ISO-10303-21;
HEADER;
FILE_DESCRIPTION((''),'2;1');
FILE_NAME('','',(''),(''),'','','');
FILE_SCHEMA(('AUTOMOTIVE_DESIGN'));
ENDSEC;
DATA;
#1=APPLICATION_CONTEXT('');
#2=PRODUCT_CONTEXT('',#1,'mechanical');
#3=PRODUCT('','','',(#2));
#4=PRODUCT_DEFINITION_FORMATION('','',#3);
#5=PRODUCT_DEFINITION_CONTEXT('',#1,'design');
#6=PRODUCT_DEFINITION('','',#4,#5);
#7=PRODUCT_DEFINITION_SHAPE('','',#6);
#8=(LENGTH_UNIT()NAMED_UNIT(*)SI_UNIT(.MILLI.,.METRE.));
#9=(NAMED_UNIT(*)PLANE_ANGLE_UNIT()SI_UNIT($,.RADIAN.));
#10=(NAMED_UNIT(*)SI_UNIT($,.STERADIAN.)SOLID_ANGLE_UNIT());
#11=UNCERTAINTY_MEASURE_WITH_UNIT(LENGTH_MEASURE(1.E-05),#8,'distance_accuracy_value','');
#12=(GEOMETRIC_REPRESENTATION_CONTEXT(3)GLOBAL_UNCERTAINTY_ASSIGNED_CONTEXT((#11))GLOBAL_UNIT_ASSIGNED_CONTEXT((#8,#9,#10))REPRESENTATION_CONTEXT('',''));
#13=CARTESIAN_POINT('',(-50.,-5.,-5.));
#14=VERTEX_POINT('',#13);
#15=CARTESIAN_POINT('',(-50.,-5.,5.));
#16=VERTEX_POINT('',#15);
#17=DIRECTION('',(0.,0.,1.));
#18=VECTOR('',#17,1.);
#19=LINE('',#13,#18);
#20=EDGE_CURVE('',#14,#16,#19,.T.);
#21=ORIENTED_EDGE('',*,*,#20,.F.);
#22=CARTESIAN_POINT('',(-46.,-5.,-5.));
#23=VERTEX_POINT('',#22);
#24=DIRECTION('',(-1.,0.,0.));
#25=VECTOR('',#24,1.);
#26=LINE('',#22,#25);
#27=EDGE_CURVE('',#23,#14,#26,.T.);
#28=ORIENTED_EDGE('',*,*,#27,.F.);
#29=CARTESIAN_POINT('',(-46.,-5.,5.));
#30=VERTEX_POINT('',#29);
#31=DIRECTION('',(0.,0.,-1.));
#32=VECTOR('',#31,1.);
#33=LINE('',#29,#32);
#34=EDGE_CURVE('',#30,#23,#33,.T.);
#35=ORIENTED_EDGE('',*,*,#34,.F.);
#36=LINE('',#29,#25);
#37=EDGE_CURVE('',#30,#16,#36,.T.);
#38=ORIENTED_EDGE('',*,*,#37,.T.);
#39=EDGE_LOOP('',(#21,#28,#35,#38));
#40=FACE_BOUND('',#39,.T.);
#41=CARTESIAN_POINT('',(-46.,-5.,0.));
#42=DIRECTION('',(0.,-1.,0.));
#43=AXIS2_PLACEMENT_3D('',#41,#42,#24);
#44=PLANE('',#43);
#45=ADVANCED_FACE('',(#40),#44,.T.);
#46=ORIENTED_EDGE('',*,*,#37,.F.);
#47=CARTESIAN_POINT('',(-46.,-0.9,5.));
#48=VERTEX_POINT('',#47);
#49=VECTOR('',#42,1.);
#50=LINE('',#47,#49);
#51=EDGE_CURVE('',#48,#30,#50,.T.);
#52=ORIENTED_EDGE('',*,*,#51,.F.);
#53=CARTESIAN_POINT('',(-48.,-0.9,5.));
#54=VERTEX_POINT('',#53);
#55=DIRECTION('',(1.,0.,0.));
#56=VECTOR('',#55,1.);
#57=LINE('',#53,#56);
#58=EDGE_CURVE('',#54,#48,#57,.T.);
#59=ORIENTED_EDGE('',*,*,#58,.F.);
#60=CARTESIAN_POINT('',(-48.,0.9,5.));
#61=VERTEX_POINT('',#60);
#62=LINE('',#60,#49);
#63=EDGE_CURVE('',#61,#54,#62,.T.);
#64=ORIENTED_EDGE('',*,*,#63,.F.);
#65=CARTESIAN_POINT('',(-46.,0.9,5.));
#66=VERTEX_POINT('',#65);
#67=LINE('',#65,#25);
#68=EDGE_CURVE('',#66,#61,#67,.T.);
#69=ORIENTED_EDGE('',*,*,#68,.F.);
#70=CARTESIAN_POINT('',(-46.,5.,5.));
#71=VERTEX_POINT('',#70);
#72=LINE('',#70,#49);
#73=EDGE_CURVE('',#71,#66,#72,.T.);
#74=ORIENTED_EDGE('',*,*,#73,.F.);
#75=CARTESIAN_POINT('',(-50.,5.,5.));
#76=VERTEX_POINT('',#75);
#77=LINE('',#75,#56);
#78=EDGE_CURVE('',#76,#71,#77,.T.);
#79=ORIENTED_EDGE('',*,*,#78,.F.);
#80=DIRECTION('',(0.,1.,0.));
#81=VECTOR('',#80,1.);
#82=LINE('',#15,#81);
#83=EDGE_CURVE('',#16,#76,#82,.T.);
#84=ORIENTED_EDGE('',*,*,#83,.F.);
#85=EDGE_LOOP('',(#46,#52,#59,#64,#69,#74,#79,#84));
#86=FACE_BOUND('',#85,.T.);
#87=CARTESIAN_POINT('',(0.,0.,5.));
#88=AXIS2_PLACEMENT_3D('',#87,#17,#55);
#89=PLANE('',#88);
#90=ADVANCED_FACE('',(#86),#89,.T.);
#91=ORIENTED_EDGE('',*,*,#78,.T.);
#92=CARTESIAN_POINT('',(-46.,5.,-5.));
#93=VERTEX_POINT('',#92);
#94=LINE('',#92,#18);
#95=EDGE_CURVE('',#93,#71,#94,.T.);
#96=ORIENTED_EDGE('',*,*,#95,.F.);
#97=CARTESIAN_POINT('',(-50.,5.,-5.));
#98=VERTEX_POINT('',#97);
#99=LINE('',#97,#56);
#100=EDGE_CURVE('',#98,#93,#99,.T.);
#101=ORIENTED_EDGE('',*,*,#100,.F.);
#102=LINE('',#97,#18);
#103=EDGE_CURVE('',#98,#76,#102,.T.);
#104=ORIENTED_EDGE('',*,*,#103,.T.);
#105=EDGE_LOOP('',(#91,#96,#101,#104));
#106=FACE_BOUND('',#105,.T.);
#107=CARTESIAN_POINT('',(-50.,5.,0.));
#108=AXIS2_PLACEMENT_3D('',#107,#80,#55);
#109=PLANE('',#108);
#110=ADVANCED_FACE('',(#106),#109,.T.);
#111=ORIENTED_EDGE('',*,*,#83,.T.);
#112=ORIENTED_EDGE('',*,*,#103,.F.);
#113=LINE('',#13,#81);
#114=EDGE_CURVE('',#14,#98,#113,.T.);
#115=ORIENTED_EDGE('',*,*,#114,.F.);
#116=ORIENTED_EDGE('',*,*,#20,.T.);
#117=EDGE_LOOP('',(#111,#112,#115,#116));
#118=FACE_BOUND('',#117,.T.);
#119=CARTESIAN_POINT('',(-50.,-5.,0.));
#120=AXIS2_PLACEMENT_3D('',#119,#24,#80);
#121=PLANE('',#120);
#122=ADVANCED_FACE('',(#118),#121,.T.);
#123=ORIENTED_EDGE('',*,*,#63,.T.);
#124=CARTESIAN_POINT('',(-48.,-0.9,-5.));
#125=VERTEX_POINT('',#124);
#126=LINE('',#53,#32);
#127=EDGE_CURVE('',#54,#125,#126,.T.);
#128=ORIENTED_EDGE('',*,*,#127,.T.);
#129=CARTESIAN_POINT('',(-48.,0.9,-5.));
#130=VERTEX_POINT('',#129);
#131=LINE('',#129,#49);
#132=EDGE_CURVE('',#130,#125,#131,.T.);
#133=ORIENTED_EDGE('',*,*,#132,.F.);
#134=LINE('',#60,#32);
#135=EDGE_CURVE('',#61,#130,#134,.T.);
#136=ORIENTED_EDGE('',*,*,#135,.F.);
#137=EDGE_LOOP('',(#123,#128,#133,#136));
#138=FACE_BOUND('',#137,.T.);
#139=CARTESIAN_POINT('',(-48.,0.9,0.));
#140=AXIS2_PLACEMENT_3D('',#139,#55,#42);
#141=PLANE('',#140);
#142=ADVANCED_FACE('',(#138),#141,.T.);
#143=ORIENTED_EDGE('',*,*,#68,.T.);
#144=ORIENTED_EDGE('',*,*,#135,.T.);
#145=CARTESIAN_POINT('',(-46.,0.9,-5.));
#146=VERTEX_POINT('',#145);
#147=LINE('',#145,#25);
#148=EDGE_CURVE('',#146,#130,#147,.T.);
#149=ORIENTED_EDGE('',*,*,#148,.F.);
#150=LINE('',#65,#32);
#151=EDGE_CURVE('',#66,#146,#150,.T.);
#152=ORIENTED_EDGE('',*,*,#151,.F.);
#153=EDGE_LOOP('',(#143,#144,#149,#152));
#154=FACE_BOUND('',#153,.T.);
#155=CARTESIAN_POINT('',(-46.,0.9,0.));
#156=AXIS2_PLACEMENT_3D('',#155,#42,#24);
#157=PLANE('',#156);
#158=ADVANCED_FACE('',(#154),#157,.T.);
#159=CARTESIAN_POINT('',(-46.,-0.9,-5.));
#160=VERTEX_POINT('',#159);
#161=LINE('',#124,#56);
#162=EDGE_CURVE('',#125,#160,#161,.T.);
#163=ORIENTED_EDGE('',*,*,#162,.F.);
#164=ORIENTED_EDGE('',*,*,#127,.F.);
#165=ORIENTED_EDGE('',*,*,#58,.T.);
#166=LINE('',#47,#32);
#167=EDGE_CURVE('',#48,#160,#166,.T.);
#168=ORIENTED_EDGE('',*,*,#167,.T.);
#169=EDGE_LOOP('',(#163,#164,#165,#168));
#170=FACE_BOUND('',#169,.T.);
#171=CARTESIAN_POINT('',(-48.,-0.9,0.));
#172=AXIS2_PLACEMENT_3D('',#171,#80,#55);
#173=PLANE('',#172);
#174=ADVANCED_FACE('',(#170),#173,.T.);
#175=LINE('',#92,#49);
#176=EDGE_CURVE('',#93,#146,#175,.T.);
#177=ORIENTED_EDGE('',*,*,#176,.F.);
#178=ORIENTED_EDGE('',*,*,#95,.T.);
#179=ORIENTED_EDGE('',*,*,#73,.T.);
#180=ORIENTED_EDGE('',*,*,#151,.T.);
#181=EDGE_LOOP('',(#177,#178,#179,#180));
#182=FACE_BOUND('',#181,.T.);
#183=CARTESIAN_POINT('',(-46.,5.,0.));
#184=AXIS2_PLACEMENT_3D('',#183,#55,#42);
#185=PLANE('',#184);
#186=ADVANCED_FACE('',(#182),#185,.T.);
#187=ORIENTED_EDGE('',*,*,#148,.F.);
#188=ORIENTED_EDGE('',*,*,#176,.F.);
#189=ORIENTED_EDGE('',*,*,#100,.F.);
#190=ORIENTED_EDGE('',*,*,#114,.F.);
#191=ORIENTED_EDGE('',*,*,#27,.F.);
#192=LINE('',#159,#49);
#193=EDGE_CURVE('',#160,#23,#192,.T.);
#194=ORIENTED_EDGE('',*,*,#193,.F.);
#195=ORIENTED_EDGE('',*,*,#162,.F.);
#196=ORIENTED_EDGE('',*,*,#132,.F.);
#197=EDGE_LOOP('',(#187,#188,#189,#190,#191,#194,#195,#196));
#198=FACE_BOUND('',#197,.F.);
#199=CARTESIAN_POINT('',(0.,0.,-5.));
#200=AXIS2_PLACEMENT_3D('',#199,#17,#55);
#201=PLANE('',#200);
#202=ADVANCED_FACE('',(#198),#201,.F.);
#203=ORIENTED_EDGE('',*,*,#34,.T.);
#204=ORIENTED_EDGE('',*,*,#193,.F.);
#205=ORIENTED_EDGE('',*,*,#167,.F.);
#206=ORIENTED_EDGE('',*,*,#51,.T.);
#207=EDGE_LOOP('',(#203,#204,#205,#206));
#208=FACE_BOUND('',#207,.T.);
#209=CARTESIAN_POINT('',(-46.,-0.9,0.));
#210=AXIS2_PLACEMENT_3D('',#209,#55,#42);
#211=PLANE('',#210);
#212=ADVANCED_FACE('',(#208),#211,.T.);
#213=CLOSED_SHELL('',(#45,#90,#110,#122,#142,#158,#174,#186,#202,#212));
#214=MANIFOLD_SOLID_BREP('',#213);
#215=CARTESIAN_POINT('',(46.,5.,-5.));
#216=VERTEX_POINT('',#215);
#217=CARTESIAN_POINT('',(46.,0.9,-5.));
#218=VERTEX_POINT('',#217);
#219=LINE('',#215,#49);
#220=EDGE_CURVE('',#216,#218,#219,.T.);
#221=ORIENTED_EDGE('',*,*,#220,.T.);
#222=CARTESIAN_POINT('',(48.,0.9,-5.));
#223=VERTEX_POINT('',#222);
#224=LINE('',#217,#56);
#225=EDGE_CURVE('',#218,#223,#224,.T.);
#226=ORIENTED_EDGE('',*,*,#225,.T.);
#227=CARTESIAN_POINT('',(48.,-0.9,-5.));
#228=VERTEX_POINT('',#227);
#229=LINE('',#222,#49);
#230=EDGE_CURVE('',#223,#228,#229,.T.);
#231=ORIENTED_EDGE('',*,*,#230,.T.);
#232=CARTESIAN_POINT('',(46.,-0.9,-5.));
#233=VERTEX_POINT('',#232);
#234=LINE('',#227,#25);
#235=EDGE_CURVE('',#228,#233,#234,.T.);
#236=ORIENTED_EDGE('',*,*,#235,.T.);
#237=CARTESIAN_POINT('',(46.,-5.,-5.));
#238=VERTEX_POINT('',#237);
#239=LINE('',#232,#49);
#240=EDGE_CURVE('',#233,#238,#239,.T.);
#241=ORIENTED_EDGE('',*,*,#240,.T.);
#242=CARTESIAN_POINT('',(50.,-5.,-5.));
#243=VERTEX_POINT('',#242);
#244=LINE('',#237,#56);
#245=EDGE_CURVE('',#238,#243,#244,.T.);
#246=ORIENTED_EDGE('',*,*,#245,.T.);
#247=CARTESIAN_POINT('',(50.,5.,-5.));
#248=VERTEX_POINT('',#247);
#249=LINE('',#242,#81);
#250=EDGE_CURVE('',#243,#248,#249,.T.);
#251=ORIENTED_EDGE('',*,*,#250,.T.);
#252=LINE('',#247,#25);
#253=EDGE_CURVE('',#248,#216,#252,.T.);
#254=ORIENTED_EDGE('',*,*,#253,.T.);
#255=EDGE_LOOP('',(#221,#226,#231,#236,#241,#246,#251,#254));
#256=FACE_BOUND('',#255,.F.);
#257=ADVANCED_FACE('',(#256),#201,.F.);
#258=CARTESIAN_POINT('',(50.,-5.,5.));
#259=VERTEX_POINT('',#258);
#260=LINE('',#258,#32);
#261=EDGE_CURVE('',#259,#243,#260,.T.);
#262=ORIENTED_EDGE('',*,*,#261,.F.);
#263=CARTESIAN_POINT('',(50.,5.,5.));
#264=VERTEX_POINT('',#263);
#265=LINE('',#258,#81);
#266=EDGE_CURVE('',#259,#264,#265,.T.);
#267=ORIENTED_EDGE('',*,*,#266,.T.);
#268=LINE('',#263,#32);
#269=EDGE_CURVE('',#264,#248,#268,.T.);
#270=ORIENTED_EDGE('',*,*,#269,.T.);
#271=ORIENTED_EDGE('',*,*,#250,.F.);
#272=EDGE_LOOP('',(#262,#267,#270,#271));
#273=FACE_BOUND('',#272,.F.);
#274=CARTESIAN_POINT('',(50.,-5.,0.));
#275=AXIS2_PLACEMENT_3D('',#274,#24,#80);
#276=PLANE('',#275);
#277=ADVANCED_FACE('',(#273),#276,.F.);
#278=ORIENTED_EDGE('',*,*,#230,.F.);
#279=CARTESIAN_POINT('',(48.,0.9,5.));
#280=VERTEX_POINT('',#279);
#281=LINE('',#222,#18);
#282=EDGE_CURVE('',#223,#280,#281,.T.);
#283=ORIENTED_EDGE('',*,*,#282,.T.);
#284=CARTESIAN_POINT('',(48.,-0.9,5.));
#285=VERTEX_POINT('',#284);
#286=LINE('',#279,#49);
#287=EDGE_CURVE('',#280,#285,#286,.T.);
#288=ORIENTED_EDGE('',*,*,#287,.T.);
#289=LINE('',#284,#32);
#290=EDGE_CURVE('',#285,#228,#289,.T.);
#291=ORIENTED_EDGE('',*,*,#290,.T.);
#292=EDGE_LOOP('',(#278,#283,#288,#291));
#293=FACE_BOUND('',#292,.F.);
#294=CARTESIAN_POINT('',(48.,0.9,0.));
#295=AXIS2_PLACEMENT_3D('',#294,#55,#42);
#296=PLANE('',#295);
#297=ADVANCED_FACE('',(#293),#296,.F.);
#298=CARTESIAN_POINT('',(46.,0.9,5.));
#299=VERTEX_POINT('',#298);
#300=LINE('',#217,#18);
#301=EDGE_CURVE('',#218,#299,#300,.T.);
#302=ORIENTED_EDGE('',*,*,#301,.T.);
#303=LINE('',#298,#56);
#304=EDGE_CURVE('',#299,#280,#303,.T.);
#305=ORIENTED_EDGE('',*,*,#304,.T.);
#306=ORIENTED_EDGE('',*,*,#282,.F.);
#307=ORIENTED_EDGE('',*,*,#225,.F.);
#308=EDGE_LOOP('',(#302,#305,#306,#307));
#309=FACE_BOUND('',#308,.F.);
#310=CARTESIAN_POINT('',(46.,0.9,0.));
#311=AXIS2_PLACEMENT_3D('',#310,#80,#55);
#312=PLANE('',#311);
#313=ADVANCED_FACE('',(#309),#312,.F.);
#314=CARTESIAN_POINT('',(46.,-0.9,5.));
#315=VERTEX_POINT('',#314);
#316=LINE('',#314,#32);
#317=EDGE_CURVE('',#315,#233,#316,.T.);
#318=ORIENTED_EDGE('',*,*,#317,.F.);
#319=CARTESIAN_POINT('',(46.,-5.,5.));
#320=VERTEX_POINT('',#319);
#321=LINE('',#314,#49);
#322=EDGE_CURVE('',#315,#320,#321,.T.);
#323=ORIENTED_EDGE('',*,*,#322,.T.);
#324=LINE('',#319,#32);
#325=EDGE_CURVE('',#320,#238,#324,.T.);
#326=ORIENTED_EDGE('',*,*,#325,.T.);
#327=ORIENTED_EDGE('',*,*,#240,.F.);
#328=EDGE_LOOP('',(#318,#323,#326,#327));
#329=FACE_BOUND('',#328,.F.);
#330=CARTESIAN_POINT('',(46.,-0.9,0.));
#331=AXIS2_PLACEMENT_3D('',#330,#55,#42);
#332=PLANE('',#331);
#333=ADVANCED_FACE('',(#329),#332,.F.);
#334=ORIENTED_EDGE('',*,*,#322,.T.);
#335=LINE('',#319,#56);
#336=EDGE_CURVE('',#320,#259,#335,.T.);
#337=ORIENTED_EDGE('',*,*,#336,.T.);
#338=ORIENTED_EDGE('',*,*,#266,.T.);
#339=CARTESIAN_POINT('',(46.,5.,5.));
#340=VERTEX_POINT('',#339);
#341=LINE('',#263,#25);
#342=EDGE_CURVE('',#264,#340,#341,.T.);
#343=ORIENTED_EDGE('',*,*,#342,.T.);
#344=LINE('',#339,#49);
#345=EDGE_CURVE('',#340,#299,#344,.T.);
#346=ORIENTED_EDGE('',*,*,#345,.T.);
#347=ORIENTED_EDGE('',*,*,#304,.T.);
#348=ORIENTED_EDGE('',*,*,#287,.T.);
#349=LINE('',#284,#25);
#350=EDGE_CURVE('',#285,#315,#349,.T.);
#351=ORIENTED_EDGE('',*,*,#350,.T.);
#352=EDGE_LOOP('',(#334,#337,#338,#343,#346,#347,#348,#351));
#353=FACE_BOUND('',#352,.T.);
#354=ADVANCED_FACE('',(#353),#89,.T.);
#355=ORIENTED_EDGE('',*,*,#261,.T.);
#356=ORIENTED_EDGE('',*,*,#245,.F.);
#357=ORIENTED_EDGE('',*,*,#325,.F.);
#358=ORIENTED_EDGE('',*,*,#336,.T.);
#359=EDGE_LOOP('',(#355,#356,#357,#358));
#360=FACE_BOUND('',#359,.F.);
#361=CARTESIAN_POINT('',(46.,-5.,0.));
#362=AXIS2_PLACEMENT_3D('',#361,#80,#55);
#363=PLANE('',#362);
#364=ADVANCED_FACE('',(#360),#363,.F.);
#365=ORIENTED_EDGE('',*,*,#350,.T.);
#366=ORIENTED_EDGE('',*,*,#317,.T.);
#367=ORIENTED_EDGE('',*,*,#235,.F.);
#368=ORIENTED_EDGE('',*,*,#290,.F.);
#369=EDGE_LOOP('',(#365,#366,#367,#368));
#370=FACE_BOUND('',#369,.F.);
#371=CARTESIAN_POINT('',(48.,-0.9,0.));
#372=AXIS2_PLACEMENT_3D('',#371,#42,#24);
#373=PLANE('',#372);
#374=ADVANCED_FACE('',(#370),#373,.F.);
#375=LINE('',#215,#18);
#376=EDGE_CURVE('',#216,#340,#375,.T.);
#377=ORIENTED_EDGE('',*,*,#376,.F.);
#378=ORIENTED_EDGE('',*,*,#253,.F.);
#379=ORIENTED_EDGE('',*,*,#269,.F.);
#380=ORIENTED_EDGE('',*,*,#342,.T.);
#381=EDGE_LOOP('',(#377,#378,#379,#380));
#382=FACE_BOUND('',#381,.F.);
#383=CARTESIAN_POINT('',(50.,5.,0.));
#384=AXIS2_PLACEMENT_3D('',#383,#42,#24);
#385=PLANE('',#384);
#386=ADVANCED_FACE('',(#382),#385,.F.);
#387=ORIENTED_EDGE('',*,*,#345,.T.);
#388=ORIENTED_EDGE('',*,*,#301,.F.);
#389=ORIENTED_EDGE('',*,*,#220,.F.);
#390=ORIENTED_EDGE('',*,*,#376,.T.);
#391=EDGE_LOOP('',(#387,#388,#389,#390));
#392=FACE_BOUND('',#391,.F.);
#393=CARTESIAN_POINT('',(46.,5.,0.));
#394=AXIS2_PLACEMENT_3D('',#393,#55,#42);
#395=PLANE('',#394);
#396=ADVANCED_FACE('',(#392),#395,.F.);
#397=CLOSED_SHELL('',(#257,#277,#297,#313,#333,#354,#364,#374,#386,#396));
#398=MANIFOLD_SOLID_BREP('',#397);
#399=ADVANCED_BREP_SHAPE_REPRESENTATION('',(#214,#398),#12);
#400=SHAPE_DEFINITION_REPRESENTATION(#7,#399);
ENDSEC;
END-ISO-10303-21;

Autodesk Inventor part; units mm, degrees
ref_plane "YZ Plane" through (0, 0, 0) normal (1, 0, 0) x (0, 1, 0)
ref_plane "XZ Plane" through (0, 0, 0) normal (0, 1, 0) x (-1, 0, 0)
ref_plane "XY Plane" through (0, 0, 0) normal (0, 0, 1) x (1, 0, 0)
sketch "Sketch1" plane through (0, 0, 0) normal (0, 0, 1) x (1, 0, 0)
  line L0 (-46, 5) -> (-46, 0.9)
  line L1 (-46, 0.9) -> (-48, 0.9)
  line L2 (-48, 0.9) -> (-48, -0.9)
  line L3 (-48, -0.9) -> (-46, -0.9)
  line L4 (-46, -0.9) -> (-46, -5)
  line L5 (-46, -5) -> (-50, -5)
  line L6 (-50, -5) -> (-50, 5)
  line L7 (-50, 5) -> (-46, 5)
  line L8 (0, 5) -> (0, -5)
  line L9 (46, 5) -> (46, 0.9)
  line L10 (46, 0.9) -> (48, 0.9)
  line L11 (48, 0.9) -> (48, -0.9)
  line L12 (48, -0.9) -> (46, -0.9)
  line L13 (46, -0.9) -> (46, -5)
  line L14 (46, -5) -> (50, -5)
  line L15 (50, -5) -> (50, 5)
  line L16 (50, 5) -> (46, 5)
  point P0 (0, 0)
  point P1 (-48, 0)
  point P2 (-50, 0)
  dimension "d0" = 100
  dimension "d1" = 2
  dimension "d2" = 96
  dimension "d3" = 4
  dimension "d4" = 1.8
  dimension "d5" = 10
  dimension "d6" = 2
  dimension "d7" = 92
extrude "Extrusion1" add sketch "Sketch1" along normal mid plane 10
properties part number "CardRailStandard" material "Aluminum"
